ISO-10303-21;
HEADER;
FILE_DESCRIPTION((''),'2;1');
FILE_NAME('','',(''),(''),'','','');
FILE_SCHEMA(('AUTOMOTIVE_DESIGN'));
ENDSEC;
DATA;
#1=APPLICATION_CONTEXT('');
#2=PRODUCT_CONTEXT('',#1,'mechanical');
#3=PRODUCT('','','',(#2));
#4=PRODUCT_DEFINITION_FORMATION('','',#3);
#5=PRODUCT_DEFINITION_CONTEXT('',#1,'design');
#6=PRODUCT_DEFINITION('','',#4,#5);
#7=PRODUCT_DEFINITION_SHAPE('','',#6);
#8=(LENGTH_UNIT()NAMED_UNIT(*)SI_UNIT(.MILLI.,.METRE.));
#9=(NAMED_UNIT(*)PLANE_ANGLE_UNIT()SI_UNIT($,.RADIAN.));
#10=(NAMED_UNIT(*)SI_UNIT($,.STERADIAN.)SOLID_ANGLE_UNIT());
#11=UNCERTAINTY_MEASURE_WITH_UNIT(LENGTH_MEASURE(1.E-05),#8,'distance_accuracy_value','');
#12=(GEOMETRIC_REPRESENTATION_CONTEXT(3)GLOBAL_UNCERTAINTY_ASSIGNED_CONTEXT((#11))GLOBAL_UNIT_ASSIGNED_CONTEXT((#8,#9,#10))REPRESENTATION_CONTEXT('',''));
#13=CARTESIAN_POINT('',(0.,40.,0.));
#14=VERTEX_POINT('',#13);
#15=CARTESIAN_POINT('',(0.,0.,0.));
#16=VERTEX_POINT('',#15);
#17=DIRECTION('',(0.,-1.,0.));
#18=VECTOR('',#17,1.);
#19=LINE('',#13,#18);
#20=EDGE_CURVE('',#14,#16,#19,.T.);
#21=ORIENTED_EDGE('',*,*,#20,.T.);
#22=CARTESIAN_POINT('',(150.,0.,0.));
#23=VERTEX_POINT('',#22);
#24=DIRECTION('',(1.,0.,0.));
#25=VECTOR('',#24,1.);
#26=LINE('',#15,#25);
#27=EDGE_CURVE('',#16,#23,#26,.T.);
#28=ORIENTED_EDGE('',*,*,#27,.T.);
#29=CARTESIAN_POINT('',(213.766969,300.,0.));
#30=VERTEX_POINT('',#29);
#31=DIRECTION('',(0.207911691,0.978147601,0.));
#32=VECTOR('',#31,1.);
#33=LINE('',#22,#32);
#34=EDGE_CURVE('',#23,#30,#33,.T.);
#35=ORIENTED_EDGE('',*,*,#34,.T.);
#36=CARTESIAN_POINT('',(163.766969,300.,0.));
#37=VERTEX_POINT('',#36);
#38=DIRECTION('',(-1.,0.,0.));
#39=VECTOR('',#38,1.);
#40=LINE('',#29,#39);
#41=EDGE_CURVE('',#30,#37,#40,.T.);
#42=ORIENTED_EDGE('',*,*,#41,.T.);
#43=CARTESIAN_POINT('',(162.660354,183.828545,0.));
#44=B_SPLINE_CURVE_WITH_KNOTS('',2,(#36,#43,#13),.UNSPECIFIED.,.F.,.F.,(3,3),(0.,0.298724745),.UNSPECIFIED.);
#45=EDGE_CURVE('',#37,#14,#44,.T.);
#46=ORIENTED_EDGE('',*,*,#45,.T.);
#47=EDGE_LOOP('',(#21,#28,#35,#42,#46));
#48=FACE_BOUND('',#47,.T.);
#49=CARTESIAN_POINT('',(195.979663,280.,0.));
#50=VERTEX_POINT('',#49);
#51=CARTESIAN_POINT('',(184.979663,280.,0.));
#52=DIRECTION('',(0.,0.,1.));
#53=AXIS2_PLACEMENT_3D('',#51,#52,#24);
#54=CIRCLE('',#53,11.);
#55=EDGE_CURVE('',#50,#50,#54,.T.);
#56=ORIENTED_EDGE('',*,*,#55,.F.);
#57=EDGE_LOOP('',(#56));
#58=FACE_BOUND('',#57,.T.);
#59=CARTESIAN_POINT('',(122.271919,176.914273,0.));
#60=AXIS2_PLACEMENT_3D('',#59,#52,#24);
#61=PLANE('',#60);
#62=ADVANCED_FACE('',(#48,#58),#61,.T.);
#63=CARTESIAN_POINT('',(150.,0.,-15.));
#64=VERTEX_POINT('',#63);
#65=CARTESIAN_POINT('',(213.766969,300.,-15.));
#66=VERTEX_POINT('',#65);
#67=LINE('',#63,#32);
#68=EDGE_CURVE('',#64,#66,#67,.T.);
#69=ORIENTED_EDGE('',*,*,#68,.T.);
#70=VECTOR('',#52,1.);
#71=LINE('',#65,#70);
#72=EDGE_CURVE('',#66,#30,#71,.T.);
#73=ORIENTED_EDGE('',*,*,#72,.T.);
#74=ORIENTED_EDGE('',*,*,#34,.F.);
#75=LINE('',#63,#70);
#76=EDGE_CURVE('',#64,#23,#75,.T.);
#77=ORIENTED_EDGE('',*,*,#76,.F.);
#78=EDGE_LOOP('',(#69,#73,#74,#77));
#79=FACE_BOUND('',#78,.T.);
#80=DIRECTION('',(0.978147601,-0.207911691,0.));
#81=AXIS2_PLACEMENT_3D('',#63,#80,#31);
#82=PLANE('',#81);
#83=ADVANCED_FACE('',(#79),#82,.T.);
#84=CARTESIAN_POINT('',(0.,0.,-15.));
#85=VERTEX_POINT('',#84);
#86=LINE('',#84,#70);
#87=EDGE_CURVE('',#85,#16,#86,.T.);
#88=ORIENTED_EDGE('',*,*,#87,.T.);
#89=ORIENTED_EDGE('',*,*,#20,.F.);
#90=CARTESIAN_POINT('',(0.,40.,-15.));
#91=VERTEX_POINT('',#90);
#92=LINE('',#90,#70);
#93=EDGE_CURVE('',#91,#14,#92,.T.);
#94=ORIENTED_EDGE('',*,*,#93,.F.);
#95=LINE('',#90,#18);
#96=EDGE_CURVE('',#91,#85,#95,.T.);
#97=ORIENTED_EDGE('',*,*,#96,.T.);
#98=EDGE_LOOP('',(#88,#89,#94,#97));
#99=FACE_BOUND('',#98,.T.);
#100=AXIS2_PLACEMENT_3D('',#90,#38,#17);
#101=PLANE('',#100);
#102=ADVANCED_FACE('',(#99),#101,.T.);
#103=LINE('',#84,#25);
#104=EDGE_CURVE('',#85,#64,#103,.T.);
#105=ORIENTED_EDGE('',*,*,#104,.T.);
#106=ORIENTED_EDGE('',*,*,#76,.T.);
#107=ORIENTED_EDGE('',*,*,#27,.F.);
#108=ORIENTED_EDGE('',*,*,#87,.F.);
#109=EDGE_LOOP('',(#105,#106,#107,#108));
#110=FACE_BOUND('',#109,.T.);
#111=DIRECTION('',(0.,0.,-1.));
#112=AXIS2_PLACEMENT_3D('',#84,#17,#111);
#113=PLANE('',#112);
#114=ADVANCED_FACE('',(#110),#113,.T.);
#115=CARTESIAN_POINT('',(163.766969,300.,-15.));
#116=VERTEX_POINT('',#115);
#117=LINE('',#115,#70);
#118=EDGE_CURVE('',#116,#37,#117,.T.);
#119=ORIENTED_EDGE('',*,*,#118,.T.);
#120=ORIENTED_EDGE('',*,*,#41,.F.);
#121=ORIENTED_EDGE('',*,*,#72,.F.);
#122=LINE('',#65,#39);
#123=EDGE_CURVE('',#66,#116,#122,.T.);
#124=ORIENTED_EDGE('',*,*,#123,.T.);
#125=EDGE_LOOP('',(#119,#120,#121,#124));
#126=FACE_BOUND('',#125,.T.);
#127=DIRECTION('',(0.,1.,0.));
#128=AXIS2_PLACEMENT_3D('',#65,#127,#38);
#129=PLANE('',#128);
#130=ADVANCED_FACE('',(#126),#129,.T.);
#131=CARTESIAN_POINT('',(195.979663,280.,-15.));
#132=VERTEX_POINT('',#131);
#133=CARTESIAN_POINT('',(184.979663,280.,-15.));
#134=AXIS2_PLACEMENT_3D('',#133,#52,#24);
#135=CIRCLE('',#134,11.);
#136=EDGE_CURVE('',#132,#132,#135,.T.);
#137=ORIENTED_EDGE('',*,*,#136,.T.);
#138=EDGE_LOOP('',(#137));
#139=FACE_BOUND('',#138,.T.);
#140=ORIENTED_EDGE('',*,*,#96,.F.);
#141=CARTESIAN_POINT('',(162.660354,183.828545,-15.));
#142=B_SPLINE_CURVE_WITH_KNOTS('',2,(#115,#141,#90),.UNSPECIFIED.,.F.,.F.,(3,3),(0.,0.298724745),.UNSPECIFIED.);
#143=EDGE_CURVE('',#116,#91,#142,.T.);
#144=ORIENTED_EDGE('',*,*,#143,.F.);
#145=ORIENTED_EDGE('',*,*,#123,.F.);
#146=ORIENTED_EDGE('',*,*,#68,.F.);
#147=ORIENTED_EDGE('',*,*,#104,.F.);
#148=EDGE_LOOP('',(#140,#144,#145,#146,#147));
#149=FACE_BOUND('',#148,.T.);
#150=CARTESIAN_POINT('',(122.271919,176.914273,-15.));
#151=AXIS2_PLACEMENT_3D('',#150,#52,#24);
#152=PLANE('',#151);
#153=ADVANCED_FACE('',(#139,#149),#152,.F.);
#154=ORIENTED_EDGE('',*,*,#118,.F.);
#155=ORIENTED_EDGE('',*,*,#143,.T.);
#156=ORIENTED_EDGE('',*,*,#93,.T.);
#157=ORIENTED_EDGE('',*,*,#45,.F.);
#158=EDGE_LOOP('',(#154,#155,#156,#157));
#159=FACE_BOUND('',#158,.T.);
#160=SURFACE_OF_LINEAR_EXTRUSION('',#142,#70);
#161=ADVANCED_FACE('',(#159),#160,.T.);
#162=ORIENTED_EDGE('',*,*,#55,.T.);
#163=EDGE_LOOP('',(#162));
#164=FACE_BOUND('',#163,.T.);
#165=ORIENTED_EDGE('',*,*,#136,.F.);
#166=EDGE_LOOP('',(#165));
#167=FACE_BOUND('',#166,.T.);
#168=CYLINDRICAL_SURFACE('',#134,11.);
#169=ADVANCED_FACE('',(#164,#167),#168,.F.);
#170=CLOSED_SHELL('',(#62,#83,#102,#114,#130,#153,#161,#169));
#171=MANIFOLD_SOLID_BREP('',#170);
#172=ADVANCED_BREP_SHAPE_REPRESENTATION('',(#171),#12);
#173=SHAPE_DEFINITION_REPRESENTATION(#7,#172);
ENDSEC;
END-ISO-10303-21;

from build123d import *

# Parameters (mm, degrees)
BOSS_EXTRUDE1_DEPTH = 15
SKETCH3_R           = 11
CUT_EXTRUDE1_DEPTH  = 369.675083139


with BuildPart() as part:
    # Sketch2 → Boss-Extrude1 (new body)
    with BuildSketch(Plane.XY):
        with BuildLine():
            Line((0, 0), (150, 0))
            Line((150, 0), (213.766968501, 300))
            Line((213.766968501, 300), (163.766968501, 300))
            add(Edge.make_bspline(
                [(163.766968501, 300), (162.660354377, 183.828545376), (0, 40)],
                knots=[0, 0, 0, 0.298724745, 0.298724745, 0.298724745], degree=2))
            Line((0, 40), (0, 0))
        make_face()
    extrude(amount=-BOSS_EXTRUDE1_DEPTH)

    # Sketch3 → Cut-Extrude1 (cut, through all)
    with BuildSketch(Plane.XY):
        with Locations((184.979662991, 280)):
            Circle(SKETCH3_R)
    extrude(amount=-CUT_EXTRUDE1_DEPTH, mode=Mode.SUBTRACT)


solid = part.part
